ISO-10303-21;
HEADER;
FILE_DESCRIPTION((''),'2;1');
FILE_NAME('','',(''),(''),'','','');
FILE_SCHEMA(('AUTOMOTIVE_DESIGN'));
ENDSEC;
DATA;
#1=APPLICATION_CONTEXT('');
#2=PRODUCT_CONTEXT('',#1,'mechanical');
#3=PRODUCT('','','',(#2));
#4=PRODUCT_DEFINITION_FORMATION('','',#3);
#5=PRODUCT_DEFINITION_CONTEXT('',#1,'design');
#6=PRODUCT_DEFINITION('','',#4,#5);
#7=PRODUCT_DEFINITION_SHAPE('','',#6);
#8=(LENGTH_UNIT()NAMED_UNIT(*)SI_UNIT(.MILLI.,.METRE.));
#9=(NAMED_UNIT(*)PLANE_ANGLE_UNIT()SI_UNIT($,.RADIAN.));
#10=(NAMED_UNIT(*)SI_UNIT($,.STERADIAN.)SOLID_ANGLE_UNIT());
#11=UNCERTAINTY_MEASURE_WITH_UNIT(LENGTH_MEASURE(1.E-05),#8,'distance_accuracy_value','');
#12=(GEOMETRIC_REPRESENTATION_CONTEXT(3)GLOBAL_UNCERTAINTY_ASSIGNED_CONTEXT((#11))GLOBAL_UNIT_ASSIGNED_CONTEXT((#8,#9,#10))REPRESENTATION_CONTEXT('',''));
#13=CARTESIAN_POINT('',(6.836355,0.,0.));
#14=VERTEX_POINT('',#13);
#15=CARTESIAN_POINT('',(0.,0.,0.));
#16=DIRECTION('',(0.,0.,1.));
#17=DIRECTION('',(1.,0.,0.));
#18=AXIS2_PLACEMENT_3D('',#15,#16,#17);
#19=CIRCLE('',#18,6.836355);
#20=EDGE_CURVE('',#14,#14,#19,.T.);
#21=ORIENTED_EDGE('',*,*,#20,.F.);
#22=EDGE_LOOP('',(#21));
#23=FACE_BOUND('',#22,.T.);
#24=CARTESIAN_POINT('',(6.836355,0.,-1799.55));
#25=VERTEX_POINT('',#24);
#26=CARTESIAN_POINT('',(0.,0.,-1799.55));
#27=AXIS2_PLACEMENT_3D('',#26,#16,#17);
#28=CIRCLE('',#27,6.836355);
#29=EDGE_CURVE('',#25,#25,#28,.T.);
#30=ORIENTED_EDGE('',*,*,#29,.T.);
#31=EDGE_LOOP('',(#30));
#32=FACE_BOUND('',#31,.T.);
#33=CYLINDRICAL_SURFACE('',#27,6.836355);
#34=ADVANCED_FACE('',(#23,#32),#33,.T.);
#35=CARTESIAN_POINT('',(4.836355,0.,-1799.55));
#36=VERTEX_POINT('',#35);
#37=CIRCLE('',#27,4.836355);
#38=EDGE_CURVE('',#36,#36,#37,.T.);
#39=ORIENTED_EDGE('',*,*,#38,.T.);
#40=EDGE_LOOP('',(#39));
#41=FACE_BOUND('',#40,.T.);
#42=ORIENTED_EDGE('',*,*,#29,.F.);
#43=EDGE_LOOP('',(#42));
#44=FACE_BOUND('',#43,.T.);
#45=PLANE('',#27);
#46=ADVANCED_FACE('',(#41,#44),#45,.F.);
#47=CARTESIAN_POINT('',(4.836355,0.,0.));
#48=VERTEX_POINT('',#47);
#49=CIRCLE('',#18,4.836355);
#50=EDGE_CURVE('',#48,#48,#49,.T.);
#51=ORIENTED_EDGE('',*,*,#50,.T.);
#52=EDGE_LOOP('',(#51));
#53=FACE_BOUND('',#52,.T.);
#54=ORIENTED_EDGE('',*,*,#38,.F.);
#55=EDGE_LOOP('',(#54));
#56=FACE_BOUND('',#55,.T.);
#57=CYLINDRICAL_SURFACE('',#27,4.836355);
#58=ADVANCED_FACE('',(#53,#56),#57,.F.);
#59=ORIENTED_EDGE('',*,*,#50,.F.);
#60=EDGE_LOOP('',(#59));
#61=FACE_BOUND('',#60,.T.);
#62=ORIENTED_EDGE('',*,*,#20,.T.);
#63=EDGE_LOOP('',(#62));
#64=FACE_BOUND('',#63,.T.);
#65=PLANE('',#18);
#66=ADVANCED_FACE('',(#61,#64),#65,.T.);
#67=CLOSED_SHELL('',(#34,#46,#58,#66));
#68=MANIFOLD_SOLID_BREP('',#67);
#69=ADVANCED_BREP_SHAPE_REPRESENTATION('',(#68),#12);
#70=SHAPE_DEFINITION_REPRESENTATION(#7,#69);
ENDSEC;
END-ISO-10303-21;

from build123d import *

# Parameters (mm, degrees)
SKETCH1_R           = 6.83635542
SKETCH1_R_2         = 4.83635542
BOSS_EXTRUDE1_DEPTH = 1799.55


with BuildPart() as part:
    # Sketch1 → Boss-Extrude1 (new body)
    with BuildSketch(Plane.XY):
        Circle(SKETCH1_R)
        Circle(SKETCH1_R_2, mode=Mode.SUBTRACT)
    extrude(amount=-BOSS_EXTRUDE1_DEPTH)


solid = part.part
